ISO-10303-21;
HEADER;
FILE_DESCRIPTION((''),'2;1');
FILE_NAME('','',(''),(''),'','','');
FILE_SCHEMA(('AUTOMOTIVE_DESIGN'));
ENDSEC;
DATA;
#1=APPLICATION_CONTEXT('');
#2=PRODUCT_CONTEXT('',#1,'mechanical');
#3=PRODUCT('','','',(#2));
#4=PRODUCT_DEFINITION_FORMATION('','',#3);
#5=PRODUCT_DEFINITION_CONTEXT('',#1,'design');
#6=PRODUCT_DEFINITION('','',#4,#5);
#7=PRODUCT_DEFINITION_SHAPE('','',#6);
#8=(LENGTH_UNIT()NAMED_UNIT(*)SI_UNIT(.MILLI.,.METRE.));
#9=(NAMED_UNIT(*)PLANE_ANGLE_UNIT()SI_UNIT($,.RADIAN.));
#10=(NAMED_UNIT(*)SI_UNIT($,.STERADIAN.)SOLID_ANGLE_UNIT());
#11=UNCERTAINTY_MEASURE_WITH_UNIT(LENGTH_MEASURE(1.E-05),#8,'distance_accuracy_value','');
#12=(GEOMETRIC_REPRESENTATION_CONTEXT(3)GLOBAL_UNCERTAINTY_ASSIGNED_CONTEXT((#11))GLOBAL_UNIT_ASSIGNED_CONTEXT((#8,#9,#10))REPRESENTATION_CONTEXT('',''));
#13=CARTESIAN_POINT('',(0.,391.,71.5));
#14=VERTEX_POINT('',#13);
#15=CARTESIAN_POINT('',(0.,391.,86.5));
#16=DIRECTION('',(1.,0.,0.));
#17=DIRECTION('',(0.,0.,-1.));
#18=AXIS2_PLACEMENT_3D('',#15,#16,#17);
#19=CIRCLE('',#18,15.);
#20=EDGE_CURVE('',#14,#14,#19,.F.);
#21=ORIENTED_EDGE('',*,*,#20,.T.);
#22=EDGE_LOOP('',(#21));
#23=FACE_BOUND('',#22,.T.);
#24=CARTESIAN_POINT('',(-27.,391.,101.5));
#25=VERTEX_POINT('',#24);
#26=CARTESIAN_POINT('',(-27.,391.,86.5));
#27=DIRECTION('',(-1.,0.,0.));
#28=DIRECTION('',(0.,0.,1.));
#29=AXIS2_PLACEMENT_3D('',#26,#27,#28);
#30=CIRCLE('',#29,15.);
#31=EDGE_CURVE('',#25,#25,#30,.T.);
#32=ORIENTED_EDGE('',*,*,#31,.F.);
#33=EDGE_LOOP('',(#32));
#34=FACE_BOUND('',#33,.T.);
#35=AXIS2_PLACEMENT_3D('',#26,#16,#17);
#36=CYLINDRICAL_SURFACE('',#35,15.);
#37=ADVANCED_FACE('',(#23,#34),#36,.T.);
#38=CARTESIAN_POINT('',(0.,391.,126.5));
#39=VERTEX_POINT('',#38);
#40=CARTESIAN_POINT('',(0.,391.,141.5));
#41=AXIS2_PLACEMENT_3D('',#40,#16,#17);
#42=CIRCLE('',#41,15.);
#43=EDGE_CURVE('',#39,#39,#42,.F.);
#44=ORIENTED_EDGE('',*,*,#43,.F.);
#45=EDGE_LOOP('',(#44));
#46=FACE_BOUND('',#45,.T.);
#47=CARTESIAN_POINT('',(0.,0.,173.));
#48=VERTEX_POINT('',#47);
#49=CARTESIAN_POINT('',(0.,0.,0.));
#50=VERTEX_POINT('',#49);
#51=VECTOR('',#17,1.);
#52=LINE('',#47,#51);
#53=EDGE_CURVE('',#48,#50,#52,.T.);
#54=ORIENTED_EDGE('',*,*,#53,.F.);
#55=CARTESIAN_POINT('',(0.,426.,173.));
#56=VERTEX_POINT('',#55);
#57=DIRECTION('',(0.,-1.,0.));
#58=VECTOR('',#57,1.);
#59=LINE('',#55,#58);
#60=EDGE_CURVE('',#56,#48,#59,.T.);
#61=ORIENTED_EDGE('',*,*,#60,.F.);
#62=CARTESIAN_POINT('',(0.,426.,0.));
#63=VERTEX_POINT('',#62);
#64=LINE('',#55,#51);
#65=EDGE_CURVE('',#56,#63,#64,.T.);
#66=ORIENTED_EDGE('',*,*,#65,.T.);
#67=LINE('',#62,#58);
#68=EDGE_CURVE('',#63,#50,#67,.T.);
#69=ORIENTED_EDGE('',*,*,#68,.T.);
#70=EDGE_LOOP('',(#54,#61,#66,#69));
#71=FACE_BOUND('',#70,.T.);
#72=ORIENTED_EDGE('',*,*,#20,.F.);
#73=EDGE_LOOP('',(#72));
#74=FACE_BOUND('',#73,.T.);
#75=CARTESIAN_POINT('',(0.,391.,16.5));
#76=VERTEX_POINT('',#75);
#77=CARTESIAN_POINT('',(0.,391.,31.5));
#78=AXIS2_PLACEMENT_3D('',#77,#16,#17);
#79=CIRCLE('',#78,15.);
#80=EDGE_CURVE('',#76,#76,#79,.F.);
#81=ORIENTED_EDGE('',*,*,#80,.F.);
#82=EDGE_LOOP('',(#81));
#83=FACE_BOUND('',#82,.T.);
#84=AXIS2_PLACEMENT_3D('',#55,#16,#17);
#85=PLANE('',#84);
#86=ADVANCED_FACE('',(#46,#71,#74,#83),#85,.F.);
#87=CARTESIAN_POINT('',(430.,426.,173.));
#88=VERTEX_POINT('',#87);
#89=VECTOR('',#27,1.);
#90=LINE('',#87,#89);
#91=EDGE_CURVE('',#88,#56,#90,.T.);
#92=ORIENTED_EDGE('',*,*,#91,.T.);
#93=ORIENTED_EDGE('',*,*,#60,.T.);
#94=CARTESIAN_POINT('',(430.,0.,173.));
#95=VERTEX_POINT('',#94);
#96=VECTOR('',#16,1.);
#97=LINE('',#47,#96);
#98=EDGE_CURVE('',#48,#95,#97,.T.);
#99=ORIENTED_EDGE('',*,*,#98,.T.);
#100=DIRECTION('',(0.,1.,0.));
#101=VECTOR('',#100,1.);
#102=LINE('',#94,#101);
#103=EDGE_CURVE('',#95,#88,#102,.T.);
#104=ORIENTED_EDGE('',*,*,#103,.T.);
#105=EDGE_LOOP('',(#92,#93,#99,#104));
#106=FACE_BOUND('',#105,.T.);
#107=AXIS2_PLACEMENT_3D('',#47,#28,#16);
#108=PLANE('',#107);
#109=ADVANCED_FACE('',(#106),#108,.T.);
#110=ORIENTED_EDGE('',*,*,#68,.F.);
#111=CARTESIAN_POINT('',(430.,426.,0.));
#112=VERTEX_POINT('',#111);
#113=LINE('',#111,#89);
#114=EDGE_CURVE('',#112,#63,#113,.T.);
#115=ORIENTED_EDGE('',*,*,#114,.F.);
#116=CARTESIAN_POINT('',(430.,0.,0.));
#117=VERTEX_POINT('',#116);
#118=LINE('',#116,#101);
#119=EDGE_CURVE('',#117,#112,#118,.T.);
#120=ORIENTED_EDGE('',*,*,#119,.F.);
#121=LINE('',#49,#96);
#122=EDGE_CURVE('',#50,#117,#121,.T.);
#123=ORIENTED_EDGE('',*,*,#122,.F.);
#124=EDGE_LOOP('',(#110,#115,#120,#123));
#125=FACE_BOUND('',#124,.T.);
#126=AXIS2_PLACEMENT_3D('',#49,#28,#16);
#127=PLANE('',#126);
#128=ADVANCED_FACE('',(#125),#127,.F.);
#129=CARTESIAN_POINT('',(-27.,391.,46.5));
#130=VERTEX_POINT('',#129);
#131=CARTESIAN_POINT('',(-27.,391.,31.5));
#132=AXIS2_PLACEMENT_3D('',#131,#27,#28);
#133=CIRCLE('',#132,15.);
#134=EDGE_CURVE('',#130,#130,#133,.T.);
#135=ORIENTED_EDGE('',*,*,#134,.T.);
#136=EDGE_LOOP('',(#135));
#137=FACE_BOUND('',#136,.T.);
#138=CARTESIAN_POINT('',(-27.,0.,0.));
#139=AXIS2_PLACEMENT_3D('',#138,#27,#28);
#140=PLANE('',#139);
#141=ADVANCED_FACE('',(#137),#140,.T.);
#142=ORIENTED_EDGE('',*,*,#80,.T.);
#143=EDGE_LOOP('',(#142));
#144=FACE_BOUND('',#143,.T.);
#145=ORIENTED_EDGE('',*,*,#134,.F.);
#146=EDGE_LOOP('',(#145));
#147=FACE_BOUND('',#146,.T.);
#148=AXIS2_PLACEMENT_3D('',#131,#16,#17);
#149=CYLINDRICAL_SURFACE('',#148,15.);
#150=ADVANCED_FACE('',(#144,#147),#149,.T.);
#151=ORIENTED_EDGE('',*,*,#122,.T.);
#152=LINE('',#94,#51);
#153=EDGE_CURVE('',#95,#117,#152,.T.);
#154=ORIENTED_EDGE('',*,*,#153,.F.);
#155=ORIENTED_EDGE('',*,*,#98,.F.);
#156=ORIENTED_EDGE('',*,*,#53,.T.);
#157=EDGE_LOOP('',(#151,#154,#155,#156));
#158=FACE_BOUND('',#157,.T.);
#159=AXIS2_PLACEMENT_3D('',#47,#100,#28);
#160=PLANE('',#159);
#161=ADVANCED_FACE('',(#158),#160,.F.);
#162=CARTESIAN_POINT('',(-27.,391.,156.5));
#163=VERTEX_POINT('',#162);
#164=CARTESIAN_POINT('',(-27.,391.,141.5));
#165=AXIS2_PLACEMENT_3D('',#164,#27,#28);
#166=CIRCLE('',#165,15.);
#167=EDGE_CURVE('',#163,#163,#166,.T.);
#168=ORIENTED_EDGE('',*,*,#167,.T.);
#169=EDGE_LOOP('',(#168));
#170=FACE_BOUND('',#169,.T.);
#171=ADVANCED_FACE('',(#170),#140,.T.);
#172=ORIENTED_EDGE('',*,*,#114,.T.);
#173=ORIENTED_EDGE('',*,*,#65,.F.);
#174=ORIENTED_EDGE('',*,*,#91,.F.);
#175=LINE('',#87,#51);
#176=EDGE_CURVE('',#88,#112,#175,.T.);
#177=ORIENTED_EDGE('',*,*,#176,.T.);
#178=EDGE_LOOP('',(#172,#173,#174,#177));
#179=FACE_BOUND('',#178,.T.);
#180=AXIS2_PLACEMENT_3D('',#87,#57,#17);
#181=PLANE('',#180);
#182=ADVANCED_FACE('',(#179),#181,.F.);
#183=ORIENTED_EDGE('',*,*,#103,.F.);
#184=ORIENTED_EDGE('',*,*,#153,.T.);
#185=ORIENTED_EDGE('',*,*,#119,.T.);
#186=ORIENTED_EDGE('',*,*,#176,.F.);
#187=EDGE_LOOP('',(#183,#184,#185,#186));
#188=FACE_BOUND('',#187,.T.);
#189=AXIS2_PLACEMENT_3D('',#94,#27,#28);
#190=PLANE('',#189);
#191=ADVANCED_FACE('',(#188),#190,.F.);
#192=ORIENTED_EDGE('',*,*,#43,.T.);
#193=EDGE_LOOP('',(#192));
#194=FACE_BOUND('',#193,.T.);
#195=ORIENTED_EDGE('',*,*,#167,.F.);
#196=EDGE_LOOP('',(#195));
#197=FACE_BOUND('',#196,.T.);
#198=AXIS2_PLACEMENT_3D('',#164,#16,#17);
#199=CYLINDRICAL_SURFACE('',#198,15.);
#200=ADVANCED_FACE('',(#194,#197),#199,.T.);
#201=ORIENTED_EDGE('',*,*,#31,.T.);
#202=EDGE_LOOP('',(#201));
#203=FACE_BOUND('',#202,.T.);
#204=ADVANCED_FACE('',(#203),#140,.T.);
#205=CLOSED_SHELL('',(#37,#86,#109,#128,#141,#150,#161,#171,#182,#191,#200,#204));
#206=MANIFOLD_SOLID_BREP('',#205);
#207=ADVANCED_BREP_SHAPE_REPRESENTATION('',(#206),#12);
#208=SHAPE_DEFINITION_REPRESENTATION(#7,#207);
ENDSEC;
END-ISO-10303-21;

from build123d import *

# Parameters (mm, degrees)
SKETCH1_W           = 430
SKETCH1_H           = 426
BOSS_EXTRUDE1_DEPTH = 173
SKETCH2_R           = 15
BOSS_EXTRUDE2_DEPTH = 27


with BuildPart() as part:
    # Sketch1 → Boss-Extrude1 (new body)
    with BuildSketch(Plane.XY):
        with Locations((215, 213)):
            Rectangle(SKETCH1_W, SKETCH1_H)
    extrude(amount=BOSS_EXTRUDE1_DEPTH)

    # Sketch2 → Boss-Extrude2 (add)
    with BuildSketch(Plane.ZY):
        with Locations(Location((86.5, 391, 0), (0, 0, 180))):
            Circle(SKETCH2_R)
        with Locations(Location((31.5, 391, 0), (0, 0, 180))):
            Circle(SKETCH2_R)
        with Locations(Location((141.5, 391, 0), (0, 0, 180))):
            Circle(SKETCH2_R)
    extrude(amount=BOSS_EXTRUDE2_DEPTH)


solid = part.part
